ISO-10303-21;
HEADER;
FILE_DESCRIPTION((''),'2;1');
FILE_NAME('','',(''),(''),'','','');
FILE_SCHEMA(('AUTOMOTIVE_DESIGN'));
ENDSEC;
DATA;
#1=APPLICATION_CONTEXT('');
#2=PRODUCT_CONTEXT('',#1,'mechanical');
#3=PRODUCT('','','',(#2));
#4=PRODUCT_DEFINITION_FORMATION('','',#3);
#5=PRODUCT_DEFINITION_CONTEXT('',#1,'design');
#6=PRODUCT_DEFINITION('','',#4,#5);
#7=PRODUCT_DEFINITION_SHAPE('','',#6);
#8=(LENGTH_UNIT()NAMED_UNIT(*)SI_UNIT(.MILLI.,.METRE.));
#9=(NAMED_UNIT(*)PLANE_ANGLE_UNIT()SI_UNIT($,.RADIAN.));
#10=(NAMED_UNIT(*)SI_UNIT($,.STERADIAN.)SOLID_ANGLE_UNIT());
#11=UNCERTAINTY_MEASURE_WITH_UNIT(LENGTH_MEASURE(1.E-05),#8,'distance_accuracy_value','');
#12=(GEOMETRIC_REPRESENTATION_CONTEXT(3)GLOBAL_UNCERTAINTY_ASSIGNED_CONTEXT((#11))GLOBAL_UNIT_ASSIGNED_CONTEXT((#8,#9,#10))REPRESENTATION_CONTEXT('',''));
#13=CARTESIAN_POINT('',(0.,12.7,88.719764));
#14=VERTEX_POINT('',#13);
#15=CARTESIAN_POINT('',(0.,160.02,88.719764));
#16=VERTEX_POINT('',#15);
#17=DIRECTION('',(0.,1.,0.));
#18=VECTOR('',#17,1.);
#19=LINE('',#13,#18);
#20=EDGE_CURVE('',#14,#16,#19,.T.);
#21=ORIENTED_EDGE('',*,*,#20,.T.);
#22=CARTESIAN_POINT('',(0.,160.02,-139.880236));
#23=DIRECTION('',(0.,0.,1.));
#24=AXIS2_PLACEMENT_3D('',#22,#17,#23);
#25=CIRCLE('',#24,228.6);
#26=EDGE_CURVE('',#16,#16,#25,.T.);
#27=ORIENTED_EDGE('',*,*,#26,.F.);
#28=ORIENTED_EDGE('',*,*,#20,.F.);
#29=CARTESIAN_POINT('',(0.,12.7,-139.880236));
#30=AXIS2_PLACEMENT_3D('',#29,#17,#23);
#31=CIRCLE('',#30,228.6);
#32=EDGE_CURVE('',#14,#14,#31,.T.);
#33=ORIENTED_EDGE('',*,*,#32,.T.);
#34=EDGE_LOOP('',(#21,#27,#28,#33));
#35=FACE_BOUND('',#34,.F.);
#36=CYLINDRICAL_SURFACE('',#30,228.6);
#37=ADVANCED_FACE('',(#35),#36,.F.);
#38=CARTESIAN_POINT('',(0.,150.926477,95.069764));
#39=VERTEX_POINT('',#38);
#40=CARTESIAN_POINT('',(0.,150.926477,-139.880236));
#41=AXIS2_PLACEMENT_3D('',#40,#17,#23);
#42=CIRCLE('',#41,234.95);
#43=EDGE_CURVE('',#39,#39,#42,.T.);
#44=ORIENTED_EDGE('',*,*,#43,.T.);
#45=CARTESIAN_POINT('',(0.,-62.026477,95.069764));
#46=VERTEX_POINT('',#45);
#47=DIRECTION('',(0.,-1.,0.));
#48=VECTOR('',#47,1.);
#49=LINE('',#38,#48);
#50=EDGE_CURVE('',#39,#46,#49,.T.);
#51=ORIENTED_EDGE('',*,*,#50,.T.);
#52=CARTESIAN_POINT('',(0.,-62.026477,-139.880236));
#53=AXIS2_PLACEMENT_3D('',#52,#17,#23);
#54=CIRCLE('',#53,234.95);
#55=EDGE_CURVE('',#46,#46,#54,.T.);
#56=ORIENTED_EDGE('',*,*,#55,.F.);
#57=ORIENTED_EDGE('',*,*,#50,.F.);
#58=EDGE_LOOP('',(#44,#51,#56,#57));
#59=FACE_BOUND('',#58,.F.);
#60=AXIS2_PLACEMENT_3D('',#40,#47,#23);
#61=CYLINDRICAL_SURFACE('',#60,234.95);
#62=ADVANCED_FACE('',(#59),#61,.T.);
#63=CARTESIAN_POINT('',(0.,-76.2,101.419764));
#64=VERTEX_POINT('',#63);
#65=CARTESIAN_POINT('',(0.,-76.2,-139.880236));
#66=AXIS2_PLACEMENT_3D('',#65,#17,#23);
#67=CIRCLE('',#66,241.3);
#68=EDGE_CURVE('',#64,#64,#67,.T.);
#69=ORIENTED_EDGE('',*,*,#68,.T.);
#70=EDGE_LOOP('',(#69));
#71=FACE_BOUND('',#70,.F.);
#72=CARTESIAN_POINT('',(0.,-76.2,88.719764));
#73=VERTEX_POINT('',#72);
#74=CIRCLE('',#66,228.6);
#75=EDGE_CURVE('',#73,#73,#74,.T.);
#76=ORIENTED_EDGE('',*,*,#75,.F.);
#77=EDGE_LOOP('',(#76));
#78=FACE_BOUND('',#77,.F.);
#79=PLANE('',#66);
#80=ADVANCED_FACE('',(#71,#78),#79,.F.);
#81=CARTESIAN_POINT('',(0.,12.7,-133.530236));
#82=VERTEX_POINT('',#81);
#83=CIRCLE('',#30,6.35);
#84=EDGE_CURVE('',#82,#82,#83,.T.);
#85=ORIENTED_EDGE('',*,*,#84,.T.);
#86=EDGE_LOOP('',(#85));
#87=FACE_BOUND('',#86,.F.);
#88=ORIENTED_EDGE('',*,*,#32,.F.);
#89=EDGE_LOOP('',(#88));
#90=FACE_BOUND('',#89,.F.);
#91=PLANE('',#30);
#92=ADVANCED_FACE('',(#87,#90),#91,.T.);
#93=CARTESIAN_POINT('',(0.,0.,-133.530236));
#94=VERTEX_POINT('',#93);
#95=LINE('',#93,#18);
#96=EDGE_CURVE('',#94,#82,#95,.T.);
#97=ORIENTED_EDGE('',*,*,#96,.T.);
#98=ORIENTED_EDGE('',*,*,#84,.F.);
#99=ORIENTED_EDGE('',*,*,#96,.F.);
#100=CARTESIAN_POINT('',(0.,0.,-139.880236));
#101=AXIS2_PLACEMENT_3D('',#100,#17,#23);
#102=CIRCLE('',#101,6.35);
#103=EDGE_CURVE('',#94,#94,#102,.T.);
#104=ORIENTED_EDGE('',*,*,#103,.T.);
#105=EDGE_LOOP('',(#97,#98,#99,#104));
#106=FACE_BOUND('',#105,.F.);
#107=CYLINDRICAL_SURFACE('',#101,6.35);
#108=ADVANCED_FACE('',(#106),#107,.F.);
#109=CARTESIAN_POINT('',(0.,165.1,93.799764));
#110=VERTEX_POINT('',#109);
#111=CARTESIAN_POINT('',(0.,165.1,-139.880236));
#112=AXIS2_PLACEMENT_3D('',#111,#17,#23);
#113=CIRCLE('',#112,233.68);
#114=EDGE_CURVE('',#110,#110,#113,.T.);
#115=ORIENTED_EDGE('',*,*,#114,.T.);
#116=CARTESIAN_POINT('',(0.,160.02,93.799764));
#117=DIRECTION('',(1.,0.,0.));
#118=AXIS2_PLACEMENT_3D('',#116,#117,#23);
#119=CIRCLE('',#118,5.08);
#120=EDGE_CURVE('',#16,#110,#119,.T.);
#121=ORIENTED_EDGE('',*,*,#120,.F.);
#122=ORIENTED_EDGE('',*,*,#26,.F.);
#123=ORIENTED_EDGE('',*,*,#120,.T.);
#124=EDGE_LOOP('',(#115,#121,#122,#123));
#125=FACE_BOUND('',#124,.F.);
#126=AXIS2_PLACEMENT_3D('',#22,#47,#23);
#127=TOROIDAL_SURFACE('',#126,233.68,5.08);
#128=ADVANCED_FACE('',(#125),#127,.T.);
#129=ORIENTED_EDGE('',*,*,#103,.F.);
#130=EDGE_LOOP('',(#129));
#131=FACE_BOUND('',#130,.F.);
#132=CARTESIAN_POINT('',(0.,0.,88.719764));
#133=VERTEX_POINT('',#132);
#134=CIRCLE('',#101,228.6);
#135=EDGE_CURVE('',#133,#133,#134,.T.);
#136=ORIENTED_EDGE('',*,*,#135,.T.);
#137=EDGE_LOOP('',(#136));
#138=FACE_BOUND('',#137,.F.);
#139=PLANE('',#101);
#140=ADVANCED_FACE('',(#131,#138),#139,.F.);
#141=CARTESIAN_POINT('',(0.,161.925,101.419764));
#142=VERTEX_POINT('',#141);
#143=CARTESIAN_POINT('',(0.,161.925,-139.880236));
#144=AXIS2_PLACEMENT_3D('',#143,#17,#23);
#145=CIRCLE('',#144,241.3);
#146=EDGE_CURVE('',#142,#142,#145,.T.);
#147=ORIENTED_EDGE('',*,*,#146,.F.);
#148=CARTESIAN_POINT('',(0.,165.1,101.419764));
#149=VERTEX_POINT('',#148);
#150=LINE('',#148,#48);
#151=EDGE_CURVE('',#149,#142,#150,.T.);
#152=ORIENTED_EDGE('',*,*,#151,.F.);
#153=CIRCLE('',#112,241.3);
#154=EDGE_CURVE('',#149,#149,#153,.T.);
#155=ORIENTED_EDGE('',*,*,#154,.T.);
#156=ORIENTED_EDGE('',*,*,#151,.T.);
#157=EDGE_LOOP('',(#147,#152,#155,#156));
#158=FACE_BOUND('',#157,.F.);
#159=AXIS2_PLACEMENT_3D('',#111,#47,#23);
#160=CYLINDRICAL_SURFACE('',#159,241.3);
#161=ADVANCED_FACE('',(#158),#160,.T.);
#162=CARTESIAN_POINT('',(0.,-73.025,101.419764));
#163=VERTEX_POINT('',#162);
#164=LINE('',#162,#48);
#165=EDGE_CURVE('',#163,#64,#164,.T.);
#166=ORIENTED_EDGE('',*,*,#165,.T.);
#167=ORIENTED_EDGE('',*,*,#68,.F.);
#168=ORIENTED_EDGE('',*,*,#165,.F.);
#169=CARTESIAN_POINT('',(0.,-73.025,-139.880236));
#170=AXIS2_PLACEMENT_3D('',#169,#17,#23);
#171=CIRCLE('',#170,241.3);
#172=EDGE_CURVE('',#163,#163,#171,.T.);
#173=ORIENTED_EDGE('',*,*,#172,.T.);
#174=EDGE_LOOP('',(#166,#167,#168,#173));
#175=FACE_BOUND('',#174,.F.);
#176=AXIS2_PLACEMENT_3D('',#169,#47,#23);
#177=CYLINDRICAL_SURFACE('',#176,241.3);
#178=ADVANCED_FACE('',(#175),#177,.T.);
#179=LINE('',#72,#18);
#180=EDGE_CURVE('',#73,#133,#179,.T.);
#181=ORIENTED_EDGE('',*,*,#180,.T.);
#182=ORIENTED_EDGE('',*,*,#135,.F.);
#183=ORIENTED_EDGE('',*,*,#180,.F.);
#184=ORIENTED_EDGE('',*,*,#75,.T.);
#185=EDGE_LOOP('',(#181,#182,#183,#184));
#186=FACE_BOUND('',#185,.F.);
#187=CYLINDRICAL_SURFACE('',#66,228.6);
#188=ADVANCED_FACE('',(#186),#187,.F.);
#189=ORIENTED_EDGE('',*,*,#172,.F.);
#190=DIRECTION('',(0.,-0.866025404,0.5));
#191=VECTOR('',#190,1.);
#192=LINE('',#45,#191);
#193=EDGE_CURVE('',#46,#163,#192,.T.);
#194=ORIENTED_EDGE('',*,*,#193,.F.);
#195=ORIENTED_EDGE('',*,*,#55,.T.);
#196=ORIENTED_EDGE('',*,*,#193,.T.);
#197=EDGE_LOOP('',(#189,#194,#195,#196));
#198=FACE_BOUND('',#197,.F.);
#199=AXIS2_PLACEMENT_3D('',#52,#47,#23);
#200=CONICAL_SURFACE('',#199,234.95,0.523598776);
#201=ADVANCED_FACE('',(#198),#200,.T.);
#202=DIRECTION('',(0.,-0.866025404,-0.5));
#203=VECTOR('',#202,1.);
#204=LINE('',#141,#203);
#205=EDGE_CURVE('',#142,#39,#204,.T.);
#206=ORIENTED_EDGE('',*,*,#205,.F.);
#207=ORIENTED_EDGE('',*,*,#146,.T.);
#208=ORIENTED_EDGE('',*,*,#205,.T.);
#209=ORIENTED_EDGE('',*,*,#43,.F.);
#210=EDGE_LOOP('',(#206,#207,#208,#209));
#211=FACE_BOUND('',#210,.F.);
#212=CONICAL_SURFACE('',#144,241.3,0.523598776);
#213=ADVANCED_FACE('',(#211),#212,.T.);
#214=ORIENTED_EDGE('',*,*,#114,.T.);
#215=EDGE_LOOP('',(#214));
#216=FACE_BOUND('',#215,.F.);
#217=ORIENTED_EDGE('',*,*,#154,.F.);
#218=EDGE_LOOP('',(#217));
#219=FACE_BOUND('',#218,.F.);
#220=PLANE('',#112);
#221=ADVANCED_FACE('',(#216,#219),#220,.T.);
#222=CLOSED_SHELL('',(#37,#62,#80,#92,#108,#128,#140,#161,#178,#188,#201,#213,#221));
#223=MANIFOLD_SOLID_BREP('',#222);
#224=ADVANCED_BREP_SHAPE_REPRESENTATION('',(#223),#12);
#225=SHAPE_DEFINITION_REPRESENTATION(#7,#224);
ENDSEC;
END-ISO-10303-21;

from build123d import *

# Parameters (mm, degrees)
F2_R = 5.08


with BuildPart() as f1:
    # F0 (on Right) → F1 (revolve)
    with BuildSketch(Plane.YZ):
        Polygon((0, 88.7197644345), (0, -133.5302355655), (12.7, -133.5302355655), (12.7, 88.7197644345), (165.1, 88.7197644345), (165.1, 101.4197644345), (161.925, 101.4197644345), (150.9264773719, 95.0697644345), (0, 95.0697644345), (-62.0264773719, 95.0697644345), (-73.025, 101.4197644345), (-76.2, 101.4197644345), (-76.2, 88.7197644345), align=None)
    revolve(axis=Axis((0, 29.8570962623, -139.8802355655), (0, 1, 0)))

    # F2
    f2_edges = [f1.edges().sort_by_distance(p)[0] for p in [
        (0, 165.1, -368.480236),
    ]]
    fillet(f2_edges, radius=F2_R)


solid = f1.part
